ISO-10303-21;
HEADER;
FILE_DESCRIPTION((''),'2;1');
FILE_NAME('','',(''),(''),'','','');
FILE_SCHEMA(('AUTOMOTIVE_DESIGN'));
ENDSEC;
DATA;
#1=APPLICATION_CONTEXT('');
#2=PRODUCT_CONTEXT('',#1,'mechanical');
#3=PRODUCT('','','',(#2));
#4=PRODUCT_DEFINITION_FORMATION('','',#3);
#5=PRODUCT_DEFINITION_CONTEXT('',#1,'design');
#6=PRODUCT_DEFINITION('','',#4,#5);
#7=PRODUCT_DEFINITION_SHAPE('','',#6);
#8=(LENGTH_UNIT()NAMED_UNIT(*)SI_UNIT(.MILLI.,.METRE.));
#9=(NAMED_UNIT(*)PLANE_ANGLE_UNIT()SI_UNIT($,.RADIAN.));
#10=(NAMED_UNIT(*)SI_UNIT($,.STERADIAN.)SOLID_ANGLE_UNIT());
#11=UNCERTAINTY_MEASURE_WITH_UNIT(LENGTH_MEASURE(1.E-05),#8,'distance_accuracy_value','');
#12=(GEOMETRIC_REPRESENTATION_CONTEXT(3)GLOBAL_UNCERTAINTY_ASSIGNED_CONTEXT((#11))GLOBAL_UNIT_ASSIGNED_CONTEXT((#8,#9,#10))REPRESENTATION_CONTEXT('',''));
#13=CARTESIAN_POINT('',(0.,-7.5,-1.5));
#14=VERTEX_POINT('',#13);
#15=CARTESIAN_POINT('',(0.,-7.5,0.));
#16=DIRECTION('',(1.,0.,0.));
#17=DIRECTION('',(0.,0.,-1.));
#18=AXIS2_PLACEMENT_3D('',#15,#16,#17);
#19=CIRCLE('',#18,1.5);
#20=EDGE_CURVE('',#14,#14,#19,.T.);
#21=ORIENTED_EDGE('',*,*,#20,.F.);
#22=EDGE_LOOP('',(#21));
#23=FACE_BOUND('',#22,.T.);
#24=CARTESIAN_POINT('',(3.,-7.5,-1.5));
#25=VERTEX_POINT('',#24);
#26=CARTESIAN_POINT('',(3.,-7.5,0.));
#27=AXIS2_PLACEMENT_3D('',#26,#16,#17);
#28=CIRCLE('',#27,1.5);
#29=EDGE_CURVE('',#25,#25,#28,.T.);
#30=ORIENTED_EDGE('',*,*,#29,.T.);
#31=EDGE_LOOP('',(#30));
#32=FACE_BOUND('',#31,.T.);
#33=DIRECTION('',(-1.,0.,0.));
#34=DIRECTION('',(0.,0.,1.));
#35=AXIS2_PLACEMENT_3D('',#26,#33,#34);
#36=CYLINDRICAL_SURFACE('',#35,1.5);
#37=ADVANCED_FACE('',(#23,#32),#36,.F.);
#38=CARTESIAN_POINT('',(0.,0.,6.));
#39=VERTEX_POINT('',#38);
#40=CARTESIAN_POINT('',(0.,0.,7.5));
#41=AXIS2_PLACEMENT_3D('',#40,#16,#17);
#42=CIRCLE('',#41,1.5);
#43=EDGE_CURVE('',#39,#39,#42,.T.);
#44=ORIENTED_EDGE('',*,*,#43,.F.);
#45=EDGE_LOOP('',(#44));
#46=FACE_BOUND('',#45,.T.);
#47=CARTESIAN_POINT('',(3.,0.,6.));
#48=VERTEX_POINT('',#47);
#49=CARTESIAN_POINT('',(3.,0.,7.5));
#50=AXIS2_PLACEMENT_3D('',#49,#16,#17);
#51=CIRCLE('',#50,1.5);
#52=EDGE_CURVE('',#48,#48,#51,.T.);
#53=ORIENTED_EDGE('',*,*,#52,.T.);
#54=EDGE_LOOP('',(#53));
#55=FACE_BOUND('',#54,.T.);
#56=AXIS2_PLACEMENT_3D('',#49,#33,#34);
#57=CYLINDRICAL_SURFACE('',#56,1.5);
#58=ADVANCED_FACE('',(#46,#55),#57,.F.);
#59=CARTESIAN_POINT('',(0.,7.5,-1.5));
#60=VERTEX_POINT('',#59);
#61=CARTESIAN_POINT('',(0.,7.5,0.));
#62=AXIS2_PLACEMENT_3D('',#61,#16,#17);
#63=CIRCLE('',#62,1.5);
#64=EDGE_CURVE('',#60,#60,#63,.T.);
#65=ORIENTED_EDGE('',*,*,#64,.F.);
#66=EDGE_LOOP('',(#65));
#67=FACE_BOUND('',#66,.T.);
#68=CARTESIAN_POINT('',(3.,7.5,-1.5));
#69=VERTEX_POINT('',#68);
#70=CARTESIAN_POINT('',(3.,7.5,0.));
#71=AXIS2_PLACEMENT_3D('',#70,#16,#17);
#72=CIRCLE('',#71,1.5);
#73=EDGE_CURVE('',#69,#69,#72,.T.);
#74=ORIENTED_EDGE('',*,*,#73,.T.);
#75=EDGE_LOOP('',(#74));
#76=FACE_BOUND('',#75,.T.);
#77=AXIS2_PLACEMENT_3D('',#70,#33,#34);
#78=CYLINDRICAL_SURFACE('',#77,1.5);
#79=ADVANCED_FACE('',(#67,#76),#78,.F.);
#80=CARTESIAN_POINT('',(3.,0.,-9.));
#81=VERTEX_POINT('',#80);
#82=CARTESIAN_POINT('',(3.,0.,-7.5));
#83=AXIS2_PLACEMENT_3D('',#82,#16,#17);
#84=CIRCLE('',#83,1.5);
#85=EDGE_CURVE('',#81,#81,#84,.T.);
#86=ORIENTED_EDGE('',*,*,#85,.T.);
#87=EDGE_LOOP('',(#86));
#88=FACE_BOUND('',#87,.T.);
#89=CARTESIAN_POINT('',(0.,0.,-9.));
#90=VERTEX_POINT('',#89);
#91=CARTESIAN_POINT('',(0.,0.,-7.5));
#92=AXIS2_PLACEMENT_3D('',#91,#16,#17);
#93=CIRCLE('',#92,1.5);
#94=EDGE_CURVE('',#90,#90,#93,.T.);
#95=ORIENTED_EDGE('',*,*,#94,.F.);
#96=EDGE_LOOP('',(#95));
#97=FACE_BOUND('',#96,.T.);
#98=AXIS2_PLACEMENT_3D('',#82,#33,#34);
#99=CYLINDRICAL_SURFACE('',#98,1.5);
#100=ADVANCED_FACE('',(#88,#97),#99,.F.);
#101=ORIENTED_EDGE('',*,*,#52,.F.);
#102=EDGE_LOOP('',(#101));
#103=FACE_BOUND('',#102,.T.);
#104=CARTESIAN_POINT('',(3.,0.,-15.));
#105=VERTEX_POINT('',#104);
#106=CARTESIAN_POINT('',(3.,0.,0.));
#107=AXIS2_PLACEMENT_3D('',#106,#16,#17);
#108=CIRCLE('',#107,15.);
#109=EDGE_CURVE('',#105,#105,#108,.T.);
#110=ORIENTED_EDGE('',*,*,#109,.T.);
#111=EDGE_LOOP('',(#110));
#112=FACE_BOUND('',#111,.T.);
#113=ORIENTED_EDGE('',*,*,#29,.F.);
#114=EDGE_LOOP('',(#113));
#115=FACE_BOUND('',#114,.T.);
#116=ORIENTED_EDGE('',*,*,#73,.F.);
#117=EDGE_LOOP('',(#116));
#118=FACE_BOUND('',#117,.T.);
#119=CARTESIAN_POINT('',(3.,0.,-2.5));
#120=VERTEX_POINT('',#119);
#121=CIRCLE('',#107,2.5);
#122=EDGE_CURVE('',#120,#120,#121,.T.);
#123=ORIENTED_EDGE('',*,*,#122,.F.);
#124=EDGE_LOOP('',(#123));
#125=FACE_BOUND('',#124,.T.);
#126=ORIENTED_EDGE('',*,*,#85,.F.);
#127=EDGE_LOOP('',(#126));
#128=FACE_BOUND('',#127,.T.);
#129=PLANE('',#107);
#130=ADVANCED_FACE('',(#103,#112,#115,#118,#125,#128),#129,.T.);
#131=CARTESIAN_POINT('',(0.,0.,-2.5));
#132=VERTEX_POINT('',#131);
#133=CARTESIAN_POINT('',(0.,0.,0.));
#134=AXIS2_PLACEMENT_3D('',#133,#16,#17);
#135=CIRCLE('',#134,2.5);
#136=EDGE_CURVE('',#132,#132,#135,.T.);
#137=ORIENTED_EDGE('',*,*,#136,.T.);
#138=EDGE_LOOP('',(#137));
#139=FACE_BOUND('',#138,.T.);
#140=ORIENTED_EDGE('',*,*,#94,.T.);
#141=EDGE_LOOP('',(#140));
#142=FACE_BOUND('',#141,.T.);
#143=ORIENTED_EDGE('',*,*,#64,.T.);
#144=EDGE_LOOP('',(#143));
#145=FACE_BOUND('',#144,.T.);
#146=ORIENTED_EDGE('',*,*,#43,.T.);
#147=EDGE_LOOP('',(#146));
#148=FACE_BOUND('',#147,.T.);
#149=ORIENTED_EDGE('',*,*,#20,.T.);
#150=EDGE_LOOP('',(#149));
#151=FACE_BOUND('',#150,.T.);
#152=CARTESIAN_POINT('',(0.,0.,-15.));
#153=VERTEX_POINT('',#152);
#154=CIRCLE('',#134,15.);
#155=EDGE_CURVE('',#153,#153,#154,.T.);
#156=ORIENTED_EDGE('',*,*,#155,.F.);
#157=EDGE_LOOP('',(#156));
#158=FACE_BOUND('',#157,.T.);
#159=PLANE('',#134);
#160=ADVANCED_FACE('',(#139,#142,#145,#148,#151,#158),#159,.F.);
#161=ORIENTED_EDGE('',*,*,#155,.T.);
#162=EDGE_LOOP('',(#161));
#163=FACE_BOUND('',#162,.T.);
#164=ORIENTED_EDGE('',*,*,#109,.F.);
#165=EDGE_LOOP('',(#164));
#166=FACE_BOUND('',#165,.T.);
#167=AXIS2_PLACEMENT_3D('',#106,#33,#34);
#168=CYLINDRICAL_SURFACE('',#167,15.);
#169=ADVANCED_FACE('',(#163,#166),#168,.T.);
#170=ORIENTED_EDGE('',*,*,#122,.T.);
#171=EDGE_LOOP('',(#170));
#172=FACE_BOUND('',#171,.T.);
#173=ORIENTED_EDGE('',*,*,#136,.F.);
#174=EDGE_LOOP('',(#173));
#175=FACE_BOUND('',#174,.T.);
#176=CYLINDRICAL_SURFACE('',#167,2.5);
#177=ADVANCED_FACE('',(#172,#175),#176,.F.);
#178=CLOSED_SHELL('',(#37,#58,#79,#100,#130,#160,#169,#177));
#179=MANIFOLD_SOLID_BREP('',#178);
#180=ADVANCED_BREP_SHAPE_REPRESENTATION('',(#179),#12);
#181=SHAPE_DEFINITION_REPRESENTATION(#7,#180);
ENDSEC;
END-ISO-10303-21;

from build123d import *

# Parameters (mm, degrees)
CROQUIS1_R              = 15
CROQUIS1_R_2            = 2.5
CROQUIS1_R_3            = 1.5
SALIENTE_EXTRUIR1_DEPTH = 3


with BuildPart() as part:
    # Croquis1 → Saliente-Extruir1 (new body)
    with BuildSketch(Plane(origin=(0, 0, 0), x_dir=(0, 0, -1), z_dir=(1, 0, 0))):
        Circle(CROQUIS1_R)
        Circle(CROQUIS1_R_2, mode=Mode.SUBTRACT)
        with Locations((0, 7.5)):
            Circle(CROQUIS1_R_3, mode=Mode.SUBTRACT)
        with Locations((7.5, 0)):
            Circle(CROQUIS1_R_3, mode=Mode.SUBTRACT)
        with Locations((0, -7.5)):
            Circle(CROQUIS1_R_3, mode=Mode.SUBTRACT)
        with Locations((-7.5, 0)):
            Circle(CROQUIS1_R_3, mode=Mode.SUBTRACT)
    extrude(amount=SALIENTE_EXTRUIR1_DEPTH)


solid = part.part
